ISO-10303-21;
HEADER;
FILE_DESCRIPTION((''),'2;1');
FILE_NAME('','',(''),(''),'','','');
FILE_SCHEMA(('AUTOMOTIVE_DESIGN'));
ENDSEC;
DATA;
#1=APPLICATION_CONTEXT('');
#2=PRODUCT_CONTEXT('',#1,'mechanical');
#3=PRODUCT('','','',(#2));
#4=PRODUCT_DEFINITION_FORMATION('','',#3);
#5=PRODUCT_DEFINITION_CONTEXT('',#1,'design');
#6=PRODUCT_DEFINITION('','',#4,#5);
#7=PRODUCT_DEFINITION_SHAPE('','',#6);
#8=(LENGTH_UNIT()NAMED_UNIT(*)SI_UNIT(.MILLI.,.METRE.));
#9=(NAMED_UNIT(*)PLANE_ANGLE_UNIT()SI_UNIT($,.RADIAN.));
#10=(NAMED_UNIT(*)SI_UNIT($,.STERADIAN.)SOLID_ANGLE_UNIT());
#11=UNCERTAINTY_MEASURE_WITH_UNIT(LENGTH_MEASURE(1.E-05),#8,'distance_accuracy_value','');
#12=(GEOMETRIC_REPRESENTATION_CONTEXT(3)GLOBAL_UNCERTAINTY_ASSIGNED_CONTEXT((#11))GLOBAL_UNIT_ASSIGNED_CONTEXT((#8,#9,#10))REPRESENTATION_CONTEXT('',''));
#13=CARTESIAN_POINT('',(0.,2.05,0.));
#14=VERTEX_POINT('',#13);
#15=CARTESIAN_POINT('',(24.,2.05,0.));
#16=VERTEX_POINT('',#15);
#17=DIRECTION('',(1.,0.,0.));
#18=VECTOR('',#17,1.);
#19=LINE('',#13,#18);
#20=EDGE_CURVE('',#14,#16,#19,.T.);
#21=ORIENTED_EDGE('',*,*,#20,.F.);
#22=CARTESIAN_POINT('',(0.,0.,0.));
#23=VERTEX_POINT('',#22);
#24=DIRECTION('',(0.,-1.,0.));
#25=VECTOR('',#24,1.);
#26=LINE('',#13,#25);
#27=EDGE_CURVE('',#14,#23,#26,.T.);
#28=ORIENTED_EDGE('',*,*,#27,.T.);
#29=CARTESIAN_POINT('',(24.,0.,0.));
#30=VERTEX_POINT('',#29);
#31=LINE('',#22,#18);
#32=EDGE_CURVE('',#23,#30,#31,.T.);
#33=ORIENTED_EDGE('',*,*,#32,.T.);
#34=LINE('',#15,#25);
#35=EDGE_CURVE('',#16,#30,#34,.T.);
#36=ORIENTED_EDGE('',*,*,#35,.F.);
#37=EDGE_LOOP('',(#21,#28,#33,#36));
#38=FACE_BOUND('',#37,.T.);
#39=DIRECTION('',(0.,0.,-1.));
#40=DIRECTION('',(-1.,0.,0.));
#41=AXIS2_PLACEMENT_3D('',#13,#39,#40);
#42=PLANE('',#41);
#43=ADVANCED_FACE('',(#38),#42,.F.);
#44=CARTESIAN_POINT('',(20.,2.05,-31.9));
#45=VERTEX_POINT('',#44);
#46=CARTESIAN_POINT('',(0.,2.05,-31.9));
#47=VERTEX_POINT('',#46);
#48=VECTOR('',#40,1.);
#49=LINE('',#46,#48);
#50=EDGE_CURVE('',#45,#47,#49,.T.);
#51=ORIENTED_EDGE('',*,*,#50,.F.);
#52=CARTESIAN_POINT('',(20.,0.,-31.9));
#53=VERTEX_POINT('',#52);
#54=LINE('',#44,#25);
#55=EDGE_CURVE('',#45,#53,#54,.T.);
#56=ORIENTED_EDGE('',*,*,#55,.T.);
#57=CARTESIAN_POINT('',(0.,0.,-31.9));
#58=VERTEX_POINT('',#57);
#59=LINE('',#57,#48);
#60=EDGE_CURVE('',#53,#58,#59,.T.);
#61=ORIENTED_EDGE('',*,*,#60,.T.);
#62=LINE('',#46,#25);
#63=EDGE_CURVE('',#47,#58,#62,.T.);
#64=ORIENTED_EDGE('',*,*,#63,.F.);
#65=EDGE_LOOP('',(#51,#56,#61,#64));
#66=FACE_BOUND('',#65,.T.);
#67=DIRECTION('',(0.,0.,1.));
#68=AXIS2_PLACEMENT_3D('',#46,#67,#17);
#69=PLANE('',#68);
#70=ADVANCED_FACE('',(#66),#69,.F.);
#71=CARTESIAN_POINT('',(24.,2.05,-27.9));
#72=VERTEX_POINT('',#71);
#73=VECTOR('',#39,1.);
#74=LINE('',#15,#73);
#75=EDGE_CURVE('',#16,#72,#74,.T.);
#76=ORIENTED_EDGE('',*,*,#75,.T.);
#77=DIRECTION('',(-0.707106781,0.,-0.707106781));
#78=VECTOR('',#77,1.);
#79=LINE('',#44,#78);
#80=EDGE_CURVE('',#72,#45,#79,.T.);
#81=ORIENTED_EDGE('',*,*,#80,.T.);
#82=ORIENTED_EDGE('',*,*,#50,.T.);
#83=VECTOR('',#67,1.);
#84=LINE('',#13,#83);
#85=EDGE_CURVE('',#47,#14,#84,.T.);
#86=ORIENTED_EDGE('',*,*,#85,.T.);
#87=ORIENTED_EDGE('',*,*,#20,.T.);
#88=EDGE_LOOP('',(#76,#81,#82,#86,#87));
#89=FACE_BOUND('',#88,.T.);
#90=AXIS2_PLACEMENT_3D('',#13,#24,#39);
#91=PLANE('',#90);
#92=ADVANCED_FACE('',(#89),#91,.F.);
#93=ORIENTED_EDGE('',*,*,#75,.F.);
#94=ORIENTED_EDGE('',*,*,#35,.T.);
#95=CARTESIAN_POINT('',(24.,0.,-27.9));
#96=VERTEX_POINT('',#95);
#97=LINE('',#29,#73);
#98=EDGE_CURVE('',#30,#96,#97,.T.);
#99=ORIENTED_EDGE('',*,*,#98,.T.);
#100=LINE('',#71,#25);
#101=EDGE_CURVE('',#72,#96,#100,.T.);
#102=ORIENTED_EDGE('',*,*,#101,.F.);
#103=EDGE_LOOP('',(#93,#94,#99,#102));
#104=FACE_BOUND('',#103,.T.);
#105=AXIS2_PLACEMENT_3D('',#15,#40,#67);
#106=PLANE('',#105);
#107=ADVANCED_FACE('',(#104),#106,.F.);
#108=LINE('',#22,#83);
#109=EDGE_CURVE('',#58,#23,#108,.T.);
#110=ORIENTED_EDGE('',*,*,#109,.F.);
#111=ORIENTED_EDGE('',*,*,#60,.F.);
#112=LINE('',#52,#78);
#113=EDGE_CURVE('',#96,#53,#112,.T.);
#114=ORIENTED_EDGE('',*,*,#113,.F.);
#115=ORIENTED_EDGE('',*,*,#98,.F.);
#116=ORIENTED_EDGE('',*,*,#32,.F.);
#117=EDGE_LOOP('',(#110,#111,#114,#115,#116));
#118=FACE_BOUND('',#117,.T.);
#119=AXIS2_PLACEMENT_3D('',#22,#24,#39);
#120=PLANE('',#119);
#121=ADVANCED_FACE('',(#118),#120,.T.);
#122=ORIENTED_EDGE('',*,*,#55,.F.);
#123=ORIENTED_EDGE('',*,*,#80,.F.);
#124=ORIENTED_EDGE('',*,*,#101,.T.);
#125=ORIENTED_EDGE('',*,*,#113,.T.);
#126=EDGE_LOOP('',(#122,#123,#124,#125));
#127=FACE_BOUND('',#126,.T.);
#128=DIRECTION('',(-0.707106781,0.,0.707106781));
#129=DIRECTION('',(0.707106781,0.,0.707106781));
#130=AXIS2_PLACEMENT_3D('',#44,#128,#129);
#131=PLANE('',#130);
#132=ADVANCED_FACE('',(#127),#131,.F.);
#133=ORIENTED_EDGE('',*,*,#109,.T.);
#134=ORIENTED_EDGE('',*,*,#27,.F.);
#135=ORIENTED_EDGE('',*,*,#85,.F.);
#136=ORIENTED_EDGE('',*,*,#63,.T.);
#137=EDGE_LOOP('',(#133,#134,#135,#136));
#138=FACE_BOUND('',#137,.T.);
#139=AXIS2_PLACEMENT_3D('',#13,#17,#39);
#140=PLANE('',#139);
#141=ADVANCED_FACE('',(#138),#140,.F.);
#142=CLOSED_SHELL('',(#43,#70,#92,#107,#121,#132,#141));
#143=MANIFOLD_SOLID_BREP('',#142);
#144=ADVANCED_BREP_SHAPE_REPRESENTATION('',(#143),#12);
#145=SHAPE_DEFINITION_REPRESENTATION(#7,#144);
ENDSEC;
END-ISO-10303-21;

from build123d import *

# Parameters (mm, degrees)
SALIENTE_EXTRUIR1_DEPTH = 2.05


with BuildPart() as part:
    # Croquis1 → Saliente-Extruir1 (new body)
    with BuildSketch(Plane(origin=(0, 0, 0), x_dir=(1, 0, 0), z_dir=(0, 1, 0))):
        Polygon((20, 31.9), (24, 27.9), (24, 0), (0, 0), (0, 31.9), align=None)
    extrude(amount=SALIENTE_EXTRUIR1_DEPTH)


solid = part.part
